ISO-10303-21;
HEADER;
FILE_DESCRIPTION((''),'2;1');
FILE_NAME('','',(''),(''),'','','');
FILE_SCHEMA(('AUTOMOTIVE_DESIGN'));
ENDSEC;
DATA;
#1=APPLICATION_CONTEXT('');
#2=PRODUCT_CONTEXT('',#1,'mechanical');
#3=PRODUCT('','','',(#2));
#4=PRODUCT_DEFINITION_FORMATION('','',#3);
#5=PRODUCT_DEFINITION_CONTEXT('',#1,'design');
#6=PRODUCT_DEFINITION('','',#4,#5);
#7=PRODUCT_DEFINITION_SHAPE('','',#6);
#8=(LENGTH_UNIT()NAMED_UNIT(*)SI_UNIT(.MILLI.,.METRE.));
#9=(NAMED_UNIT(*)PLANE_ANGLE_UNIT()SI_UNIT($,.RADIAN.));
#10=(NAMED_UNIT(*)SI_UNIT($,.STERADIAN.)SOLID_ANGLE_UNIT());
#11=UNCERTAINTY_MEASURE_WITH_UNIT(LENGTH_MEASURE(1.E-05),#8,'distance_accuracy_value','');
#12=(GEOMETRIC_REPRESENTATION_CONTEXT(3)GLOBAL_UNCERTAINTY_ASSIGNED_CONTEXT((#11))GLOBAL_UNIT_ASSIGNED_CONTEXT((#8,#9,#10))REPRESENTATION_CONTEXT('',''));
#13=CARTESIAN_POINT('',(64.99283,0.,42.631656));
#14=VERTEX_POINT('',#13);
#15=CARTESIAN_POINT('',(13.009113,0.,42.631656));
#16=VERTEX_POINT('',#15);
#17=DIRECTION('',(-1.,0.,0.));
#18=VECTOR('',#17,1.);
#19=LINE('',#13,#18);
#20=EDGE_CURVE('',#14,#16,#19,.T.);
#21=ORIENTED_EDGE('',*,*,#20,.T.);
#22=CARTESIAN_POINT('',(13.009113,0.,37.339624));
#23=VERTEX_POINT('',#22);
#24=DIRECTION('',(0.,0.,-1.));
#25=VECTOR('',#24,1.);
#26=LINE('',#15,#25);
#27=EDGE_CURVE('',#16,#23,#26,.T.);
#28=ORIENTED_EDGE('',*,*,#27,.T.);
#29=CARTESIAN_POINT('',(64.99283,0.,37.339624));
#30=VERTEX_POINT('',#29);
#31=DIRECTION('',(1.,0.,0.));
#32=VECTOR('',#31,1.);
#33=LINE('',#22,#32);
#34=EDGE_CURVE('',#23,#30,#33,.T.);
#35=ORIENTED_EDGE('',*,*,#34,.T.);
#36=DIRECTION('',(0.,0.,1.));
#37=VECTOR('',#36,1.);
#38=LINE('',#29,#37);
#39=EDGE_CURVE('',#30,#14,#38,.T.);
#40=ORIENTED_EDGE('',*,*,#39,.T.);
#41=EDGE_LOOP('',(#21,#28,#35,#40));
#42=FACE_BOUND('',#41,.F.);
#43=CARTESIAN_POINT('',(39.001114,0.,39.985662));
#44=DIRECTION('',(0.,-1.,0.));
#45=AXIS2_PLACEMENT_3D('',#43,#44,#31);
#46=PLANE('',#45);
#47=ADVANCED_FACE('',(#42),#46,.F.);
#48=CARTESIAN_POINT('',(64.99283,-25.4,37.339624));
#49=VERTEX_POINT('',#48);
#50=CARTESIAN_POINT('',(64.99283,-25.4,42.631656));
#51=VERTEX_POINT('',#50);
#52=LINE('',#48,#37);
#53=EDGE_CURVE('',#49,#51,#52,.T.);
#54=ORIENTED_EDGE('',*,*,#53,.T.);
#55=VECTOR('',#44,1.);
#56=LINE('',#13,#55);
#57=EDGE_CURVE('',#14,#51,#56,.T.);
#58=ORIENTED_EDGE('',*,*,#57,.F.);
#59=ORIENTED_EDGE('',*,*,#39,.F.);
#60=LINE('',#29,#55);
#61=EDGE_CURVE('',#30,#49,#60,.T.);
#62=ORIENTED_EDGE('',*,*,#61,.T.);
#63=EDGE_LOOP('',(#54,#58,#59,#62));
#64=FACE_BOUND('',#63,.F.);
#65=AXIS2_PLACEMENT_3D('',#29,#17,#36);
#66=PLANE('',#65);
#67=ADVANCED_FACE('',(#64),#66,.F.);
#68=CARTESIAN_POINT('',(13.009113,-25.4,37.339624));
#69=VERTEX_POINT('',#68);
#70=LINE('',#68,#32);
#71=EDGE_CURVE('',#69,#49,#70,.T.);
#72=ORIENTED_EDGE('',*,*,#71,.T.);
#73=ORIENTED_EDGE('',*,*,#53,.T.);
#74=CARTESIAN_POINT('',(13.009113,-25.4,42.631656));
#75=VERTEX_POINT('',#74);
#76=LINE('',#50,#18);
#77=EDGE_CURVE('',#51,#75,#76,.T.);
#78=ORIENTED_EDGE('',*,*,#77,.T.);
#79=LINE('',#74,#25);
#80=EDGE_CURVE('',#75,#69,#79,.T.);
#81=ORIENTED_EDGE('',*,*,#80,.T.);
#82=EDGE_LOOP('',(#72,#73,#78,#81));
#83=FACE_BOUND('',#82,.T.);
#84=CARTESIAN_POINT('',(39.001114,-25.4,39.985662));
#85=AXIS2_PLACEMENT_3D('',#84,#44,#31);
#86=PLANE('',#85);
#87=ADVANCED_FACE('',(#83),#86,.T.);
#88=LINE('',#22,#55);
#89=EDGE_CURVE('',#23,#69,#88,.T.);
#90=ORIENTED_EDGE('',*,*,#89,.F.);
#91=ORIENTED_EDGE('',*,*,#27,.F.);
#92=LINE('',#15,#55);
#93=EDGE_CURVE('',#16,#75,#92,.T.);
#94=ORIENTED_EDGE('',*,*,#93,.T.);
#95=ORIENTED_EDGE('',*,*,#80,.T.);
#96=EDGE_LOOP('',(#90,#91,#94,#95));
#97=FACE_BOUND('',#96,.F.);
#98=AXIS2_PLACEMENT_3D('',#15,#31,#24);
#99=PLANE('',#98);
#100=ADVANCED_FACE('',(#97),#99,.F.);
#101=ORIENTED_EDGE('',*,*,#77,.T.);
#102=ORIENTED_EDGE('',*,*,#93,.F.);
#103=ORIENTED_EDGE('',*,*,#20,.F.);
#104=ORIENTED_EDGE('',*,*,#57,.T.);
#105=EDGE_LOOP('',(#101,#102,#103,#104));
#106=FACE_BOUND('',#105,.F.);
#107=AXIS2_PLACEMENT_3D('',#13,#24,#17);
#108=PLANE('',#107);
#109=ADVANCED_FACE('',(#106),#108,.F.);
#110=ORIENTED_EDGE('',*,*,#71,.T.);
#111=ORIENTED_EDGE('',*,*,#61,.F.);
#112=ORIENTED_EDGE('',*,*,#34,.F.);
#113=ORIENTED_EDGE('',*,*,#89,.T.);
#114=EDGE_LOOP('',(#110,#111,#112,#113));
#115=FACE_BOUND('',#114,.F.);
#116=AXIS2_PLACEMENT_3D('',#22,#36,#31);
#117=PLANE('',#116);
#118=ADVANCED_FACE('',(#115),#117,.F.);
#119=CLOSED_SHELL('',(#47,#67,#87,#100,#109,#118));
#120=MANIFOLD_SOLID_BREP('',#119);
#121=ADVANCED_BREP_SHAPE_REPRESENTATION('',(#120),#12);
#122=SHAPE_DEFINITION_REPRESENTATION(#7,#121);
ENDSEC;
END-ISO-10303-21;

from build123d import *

# Parameters (mm, degrees)
F1_DEPTH = 25.4


with BuildPart() as f1:
    # F0 (on Front) → F1 (new body)
    with BuildSketch(Plane.XZ):
        with BuildLine():
            Line((13.009113, 37.339624), (64.99283, 37.339624))
            Line((64.99283, 37.339624), (64.99283, 42.631656))
            Line((64.99283, 42.631656), (13.009113, 42.631656))
            add(Edge.make_bspline(
                [(13.009113, 40.170065), (13.066271, 40.952454), (13.067117, 41.772386), (13.009113, 42.631656)],
                knots=[122.408719, 122.408719, 122.408719, 122.408719, 125.186425, 125.186425, 125.186425, 125.186425], degree=3))
            Line((13.009113, 40.170065), (13.009113, 37.339624))
        make_face()
        with BuildLine():
            Line((13.009113, 42.631656), (13.009113, 40.170065))
            add(Edge.make_bspline(
                [(13.009113, 40.170065), (13.066271, 40.952454), (13.067117, 41.772386), (13.009113, 42.631656)],
                knots=[122.408719, 122.408719, 122.408719, 122.408719, 125.186425, 125.186425, 125.186425, 125.186425], degree=3))
        make_face()
    extrude(amount=F1_DEPTH)


solid = f1.part
